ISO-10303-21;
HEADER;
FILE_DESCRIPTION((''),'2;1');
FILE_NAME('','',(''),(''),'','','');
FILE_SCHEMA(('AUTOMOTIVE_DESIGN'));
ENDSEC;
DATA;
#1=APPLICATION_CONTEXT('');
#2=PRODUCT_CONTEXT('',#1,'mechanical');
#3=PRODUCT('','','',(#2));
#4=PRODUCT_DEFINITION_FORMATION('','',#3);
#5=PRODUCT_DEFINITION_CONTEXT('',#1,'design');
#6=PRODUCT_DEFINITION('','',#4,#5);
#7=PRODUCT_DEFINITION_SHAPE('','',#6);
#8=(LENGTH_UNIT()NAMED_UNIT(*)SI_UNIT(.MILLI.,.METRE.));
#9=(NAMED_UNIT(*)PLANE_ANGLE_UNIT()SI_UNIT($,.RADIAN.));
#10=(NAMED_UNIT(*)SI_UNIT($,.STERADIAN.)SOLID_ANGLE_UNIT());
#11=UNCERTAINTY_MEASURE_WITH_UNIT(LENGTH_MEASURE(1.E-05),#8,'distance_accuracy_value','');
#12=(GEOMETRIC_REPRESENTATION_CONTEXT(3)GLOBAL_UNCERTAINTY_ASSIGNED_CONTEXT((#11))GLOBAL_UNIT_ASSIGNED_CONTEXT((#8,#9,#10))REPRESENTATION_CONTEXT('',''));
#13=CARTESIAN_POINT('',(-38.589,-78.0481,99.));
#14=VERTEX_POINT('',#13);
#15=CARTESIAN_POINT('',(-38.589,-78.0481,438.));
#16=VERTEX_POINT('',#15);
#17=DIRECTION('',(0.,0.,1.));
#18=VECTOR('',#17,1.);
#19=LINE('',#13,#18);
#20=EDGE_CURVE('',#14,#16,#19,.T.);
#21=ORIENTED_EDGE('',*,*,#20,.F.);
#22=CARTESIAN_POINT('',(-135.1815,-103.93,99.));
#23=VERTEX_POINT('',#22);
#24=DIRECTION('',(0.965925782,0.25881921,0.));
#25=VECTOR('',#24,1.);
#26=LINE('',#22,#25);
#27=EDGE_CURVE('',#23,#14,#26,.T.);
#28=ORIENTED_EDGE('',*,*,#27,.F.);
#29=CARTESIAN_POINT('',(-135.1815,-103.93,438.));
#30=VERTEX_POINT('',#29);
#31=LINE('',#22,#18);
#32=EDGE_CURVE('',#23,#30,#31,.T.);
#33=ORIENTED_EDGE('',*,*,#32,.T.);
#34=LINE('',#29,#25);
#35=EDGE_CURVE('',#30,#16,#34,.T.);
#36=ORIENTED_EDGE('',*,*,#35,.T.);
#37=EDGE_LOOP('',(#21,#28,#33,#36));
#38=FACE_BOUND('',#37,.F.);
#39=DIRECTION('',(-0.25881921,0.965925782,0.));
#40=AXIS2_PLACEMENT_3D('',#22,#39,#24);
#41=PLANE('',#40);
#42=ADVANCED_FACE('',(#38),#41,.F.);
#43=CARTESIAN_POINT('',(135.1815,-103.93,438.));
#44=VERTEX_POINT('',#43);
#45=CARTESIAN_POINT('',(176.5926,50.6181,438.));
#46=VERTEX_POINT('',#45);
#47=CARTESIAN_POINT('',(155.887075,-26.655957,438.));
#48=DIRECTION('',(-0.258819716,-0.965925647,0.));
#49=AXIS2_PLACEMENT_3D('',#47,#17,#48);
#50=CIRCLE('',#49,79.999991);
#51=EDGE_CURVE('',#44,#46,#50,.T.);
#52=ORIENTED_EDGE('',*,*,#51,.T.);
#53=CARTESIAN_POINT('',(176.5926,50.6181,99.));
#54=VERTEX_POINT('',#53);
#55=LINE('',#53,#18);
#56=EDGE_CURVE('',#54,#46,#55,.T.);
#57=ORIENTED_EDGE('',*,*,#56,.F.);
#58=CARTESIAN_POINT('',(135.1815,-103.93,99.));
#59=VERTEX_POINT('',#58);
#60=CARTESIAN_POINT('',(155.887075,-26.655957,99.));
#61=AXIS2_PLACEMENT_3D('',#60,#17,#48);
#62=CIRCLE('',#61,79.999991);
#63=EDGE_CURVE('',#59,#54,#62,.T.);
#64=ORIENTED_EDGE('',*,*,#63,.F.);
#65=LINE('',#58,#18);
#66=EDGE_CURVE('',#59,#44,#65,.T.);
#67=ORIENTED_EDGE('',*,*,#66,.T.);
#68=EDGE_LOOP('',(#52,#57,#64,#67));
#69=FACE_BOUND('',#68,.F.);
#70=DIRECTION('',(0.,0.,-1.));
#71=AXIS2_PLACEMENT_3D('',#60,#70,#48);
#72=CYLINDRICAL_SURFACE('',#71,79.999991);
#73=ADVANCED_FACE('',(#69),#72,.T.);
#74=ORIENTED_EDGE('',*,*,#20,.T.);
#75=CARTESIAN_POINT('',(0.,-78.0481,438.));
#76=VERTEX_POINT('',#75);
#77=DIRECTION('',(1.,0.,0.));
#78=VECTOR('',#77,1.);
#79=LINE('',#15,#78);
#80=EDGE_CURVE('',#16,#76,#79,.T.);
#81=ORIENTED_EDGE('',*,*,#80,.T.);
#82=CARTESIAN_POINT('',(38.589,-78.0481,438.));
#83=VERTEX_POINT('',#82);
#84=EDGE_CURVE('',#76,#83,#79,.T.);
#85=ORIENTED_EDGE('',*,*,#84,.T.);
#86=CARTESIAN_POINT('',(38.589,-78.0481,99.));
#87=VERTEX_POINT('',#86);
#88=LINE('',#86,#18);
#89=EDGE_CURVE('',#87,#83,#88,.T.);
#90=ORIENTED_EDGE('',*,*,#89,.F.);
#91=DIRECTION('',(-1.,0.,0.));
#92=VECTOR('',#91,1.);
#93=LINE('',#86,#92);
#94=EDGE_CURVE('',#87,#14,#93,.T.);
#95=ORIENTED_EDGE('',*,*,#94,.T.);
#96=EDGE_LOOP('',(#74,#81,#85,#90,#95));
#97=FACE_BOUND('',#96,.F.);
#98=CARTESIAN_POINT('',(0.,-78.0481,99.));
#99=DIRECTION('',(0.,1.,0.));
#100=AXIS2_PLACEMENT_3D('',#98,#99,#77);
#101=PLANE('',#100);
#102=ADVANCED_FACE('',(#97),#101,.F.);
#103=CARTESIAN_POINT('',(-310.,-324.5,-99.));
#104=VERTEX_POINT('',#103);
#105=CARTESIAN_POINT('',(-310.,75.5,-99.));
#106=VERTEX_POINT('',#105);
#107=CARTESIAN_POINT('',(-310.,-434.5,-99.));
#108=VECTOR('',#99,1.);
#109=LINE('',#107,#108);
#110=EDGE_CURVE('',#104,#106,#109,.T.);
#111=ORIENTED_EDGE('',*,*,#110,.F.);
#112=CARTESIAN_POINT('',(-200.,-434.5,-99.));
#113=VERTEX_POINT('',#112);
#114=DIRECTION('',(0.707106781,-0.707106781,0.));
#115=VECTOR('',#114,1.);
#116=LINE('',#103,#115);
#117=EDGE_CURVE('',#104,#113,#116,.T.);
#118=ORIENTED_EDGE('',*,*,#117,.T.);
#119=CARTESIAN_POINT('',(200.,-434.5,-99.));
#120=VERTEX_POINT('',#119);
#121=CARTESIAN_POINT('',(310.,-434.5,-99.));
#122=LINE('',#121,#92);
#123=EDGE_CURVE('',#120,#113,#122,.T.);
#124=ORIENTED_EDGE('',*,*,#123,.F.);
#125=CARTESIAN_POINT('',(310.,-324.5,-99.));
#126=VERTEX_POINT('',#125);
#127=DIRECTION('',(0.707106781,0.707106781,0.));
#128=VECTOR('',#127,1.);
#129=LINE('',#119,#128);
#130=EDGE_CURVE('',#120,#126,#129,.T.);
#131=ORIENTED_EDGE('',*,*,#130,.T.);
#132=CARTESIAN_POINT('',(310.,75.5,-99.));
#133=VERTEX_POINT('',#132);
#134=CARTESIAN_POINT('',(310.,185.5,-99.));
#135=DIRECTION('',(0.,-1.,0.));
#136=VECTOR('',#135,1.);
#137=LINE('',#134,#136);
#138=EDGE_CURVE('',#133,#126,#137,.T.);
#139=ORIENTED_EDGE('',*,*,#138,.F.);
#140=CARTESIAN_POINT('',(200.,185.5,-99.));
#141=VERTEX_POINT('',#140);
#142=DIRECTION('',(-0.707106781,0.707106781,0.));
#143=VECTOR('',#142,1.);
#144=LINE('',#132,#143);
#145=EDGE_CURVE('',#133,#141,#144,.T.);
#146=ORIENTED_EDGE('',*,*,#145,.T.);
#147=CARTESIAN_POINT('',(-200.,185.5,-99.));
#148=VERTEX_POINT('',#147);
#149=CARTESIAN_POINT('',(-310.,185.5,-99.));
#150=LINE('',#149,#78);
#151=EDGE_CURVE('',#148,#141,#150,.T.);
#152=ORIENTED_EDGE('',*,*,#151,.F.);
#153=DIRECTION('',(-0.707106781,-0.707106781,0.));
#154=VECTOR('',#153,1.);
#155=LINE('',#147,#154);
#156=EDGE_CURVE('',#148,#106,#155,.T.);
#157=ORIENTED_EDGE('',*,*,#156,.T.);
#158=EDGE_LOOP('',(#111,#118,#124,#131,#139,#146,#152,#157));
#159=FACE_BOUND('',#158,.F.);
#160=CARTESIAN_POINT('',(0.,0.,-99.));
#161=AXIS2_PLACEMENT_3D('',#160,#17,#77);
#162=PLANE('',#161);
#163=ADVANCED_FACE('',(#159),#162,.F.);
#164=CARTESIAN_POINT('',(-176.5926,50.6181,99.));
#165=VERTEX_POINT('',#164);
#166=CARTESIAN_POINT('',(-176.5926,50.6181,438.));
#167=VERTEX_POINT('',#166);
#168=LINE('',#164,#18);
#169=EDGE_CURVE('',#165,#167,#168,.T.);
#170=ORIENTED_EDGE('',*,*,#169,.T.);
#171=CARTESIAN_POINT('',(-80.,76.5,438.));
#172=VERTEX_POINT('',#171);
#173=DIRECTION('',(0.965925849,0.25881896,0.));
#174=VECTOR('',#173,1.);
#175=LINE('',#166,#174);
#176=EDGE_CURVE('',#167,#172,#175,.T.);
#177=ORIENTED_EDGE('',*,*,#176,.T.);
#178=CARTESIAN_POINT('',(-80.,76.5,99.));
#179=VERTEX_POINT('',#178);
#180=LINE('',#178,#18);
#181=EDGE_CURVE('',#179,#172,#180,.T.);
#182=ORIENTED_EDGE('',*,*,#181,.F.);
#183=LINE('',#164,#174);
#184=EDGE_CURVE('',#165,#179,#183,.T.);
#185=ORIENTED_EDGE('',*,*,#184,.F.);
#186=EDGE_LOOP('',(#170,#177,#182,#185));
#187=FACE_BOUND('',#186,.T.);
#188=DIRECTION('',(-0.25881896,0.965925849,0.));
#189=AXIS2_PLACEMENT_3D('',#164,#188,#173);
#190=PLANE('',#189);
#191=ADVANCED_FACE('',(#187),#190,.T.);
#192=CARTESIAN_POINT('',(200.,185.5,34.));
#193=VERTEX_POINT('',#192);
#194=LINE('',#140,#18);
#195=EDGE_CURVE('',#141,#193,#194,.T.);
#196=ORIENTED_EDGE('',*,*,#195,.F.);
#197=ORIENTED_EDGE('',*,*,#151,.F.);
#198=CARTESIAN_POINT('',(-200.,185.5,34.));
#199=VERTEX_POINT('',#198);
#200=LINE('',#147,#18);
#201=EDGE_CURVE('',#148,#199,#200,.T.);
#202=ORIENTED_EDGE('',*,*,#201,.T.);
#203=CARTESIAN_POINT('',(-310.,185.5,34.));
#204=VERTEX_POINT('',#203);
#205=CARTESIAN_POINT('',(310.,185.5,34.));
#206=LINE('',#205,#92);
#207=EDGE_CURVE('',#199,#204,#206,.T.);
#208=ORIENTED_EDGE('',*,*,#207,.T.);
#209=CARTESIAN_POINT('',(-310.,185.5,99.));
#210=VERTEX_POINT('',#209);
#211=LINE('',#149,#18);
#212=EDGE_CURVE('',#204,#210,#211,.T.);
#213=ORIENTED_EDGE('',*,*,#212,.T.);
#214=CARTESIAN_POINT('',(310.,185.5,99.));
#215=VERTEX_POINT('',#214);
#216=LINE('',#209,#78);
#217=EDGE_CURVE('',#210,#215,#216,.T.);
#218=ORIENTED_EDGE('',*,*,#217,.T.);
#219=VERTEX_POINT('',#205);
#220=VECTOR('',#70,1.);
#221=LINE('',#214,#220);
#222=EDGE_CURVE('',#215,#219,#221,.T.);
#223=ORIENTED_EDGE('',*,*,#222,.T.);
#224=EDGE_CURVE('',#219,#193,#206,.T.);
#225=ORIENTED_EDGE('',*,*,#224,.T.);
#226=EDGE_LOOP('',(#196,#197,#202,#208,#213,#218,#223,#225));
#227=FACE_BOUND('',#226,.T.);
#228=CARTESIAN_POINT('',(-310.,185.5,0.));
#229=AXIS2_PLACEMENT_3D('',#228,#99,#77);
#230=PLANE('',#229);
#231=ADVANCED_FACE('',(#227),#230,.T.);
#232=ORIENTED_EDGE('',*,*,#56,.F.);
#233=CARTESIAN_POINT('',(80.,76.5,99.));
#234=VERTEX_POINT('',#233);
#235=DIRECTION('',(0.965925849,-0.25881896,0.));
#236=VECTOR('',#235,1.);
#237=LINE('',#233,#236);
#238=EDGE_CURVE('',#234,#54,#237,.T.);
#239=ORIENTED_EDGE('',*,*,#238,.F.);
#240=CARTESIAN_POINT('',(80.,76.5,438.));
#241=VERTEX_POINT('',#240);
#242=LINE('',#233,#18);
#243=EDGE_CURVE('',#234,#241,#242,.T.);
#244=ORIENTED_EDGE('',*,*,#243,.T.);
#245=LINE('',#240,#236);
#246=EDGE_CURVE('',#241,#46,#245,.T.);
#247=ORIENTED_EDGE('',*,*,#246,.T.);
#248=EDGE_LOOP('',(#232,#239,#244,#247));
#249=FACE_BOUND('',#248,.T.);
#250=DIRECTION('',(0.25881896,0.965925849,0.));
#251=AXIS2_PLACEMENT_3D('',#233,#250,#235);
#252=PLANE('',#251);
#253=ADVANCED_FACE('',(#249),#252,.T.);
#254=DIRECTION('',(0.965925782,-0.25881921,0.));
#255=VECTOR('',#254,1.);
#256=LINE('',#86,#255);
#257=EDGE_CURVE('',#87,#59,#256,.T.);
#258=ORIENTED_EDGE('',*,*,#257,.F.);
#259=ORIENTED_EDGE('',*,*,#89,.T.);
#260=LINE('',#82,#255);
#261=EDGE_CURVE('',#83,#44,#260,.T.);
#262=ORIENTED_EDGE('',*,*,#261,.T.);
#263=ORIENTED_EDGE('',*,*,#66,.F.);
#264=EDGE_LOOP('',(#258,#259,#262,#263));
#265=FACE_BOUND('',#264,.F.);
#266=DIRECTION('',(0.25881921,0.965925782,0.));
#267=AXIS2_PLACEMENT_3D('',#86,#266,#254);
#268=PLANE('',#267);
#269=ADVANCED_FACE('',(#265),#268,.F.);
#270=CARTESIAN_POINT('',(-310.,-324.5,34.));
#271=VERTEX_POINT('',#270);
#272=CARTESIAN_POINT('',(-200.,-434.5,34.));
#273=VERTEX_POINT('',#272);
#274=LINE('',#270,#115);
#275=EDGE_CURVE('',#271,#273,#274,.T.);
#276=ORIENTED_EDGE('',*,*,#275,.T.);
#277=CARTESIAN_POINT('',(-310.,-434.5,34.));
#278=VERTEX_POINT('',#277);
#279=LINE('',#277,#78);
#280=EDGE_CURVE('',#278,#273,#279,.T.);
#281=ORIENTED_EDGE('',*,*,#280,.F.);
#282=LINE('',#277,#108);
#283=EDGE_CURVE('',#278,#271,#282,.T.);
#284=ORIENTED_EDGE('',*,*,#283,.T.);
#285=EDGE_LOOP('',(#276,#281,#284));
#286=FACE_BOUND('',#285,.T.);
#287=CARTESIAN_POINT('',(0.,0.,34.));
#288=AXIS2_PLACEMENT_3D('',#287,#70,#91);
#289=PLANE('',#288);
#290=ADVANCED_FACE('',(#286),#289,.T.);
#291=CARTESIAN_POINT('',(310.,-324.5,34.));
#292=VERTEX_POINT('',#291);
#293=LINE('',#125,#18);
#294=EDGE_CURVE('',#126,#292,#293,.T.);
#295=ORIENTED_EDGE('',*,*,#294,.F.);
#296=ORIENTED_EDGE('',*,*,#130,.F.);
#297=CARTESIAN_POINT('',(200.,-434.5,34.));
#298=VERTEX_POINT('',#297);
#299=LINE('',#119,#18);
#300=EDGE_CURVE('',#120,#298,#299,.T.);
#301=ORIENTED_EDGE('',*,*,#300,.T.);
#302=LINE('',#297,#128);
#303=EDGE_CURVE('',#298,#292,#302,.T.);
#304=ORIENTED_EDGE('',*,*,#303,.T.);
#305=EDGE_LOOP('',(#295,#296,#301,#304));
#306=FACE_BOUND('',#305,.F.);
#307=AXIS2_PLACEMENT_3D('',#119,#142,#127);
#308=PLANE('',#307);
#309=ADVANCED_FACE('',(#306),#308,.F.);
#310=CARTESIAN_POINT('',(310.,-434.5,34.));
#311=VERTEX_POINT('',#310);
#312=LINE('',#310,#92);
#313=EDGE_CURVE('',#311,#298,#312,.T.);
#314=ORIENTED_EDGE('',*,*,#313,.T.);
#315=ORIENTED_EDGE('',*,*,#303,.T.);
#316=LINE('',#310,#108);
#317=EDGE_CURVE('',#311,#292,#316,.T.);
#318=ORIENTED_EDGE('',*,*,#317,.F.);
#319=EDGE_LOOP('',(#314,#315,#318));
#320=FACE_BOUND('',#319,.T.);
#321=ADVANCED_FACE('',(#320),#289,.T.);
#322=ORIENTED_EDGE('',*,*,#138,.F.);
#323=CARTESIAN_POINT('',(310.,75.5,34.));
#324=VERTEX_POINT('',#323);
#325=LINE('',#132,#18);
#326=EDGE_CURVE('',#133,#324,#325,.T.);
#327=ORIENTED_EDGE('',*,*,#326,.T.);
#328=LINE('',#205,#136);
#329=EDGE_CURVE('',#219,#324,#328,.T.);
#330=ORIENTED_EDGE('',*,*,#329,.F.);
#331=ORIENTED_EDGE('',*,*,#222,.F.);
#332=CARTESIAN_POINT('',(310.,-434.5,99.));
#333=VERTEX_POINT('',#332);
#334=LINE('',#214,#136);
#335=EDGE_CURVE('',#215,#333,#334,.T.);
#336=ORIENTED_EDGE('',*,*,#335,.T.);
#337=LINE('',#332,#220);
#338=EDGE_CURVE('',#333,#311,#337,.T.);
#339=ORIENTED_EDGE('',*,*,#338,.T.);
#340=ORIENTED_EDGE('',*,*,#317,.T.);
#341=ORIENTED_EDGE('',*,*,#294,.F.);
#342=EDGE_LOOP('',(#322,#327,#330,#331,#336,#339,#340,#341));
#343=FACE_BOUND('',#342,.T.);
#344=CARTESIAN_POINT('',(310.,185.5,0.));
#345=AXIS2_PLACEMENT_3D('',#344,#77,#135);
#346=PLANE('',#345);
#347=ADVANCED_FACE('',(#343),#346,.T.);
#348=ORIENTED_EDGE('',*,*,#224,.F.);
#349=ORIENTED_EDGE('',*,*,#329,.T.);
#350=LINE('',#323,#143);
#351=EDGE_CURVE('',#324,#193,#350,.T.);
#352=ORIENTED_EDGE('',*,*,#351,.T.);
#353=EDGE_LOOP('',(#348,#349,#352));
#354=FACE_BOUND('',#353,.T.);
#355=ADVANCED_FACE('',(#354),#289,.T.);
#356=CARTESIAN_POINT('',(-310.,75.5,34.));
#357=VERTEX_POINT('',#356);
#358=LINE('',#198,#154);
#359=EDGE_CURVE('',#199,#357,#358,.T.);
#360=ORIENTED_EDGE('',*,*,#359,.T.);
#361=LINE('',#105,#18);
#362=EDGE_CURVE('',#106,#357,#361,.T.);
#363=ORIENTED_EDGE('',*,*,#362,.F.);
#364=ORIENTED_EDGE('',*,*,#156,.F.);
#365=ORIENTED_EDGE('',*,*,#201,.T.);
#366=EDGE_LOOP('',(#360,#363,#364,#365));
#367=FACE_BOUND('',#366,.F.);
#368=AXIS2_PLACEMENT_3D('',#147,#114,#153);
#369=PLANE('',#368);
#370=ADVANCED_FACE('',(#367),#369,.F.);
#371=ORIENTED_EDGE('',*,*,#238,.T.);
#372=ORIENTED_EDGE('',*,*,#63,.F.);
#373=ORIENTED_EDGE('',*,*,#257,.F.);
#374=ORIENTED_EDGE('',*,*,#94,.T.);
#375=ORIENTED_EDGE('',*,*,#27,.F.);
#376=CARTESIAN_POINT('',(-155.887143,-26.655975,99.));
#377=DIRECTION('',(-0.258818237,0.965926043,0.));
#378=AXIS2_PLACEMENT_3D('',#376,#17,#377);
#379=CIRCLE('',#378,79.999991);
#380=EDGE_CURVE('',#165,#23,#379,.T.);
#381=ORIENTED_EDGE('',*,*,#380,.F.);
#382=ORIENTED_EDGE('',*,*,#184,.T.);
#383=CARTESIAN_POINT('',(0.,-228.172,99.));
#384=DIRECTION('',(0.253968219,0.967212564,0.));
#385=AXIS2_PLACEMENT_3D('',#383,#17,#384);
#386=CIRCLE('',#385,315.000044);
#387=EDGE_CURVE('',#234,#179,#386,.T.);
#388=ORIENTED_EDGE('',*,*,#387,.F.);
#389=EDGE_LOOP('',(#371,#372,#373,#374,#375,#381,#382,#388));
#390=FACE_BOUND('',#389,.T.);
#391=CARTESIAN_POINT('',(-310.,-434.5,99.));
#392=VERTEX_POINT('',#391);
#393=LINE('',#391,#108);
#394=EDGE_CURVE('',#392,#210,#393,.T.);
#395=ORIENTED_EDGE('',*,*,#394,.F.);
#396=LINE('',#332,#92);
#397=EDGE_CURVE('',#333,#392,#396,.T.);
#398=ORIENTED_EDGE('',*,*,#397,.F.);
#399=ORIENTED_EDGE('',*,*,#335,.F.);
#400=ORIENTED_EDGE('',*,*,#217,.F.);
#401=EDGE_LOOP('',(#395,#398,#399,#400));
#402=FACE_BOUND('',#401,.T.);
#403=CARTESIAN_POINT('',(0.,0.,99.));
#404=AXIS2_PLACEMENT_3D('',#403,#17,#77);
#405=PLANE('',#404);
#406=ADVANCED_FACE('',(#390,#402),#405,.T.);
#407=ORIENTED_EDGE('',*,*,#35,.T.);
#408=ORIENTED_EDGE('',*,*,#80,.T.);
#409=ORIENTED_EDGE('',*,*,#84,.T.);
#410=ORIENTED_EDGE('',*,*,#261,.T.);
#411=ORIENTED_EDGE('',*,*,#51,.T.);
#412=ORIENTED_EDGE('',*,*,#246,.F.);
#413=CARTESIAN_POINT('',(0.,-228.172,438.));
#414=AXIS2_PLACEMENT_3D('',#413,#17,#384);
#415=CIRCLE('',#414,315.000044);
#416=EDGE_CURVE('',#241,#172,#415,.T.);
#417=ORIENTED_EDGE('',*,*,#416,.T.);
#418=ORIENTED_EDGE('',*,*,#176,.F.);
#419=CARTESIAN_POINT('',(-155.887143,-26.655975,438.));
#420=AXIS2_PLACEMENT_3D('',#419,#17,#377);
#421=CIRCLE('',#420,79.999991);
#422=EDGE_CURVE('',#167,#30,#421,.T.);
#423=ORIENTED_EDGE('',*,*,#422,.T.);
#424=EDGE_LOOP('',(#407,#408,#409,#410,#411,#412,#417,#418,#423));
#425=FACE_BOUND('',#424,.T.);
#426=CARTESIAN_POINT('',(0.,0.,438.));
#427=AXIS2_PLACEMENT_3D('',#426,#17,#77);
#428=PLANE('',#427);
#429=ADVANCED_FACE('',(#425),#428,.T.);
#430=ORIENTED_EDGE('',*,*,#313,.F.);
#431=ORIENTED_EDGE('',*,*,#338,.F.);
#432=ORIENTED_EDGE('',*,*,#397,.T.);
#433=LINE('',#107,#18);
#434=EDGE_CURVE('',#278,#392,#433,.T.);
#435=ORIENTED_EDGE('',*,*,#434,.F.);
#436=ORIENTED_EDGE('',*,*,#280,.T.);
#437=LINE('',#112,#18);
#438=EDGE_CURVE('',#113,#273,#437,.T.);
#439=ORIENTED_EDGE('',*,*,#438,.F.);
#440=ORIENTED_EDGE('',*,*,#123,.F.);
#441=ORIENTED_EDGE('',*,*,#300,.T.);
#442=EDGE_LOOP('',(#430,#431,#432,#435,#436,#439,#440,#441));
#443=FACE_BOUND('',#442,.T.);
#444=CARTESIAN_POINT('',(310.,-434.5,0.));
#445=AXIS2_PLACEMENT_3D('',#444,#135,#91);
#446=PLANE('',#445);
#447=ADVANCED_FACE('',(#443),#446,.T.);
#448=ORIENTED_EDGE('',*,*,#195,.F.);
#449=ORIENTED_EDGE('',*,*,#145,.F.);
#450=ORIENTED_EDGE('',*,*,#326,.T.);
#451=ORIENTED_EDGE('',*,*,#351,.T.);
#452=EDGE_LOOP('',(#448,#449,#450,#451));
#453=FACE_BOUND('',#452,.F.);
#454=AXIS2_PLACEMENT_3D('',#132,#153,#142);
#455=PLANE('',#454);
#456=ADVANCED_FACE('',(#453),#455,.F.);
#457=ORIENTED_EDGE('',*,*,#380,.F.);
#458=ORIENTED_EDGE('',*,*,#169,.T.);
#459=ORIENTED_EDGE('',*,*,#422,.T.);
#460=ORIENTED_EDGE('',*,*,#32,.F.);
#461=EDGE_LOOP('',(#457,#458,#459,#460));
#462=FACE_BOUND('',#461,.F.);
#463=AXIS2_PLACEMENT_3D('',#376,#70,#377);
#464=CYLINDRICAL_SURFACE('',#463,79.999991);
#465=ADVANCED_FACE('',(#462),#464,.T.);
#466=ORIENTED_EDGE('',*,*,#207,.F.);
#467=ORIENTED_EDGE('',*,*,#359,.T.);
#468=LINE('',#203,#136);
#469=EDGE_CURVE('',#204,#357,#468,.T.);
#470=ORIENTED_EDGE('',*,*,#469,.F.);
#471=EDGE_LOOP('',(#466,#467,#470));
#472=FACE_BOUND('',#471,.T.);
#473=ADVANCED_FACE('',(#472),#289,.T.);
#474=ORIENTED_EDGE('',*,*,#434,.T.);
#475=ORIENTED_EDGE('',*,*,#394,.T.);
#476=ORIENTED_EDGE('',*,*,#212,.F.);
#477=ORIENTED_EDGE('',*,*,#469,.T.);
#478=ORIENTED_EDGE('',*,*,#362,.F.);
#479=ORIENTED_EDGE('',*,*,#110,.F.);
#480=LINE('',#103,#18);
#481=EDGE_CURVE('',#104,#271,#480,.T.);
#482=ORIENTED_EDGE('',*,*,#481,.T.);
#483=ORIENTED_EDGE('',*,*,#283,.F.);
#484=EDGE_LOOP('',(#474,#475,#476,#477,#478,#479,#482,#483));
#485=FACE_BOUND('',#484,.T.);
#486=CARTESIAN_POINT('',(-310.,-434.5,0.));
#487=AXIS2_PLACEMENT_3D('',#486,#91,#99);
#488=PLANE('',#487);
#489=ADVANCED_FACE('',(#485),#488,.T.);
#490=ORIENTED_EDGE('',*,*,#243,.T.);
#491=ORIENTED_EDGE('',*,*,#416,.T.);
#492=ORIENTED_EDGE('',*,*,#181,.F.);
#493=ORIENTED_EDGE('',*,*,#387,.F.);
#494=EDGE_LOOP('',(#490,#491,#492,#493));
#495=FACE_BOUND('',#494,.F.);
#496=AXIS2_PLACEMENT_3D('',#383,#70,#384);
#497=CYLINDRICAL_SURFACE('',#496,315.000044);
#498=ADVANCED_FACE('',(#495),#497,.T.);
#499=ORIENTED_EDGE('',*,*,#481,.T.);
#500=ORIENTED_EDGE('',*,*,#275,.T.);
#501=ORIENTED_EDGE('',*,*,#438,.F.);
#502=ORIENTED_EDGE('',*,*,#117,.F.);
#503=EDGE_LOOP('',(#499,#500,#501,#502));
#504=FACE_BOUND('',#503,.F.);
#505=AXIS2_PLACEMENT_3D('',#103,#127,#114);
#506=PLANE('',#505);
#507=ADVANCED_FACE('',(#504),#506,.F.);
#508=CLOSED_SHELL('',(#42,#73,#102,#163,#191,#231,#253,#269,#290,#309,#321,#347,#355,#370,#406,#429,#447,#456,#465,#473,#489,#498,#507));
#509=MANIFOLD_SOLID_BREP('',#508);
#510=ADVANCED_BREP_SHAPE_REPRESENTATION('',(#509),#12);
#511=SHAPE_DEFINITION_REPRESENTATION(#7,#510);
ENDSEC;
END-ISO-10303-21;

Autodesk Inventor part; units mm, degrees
ref_plane "YZ Plane" through (0, 0, 0) normal (1, 0, 0) x (0, 1, 0)
ref_plane "XZ Plane" through (0, 0, 0) normal (0, 1, 0) x (-1, 0, 0)
ref_plane "XY Plane" through (0, 0, 0) normal (0, 0, 1) x (1, 0, 0)
sketch "Sketch1" plane through (0, 0, 0) normal (0, 0, 1) x (1, 0, 0)
  line L0 (-310, 185.5) -> (310, 185.5)
  line L1 (310, 185.5) -> (310, -434.5)
  line L2 (310, -434.5) -> (-310, -434.5)
  line L3 (-310, -434.5) -> (-310, 185.5)
  point P0 (0, 0)
  point P1 (0, 185.5)
  dimension "d0" = 620
  dimension "d1" = 620
  dimension "d2" = 185.5
extrude "Extrusion1" add sketch "Sketch1" along normal mid plane 198
sketch "Sketch2" plane through (0, 0, -99) normal (0, 0, -1) x (-1, 0, 0)
  line L0 (-310, 185.5) -> (310, 185.5) projected
  line L1 (-310, 185.5) -> (-310, 75.5)
  line L2 (-310, -434.5) -> (-310, 185.5) projected
  line L3 (-310, 75.5) -> (-200, 185.5)
  line L4 (-310, 185.5) -> (-200, 185.5)
  line L5 (-310, -124.5) -> (0, -124.5)
  line L6 (0, -124.5) -> (0, 185.5)
  line L7 (-310, -434.5) -> (-310, -324.5)
  line L8 (-310, -434.5) -> (-200, -434.5)
  line L9 (-200, -434.5) -> (-310, -324.5)
  line L10 (310, -434.5) -> (200, -434.5)
  line L11 (310, -434.5) -> (310, -324.5)
  line L12 (310, -324.5) -> (200, -434.5)
  line L13 (310, 185.5) -> (310, 75.5)
  line L14 (310, 185.5) -> (200, 185.5)
  line L15 (200, 185.5) -> (310, 75.5)
  point P0 (0, 0)
  dimension "d5" = 110
  dimension "d6" = 110
  dimension "d9" = 360
extrude "Extrusion2" cut sketch "Sketch2" against normal blind 133 contours L0 L13 L15 | L9 L8 L2 | L0 L3 L1 | L10 L12 L11
sketch "Sketch3" plane through (0, 0, 99) normal (0, 0, 1) x (1, 0, 0)
  circle A0 centre (-155.8871, -26.656) radius 80 construction
  line L0 (-176.5926, 50.6181) -> (-80, 76.5)
  line L1 (-135.1815, -103.93) -> (-38.589, -78.0481)
  line L2 (-80, 76.5) -> (-38.589, -78.0481) construction
  line L3 (-80, 76.5) -> (80, 76.5) construction
  line L4 (80, 76.5) -> (38.589, -78.0481) construction
  line L5 (-38.589, -78.0481) -> (38.589, -78.0481)
  circle A1 centre (155.8871, -26.656) radius 80 construction
  line L6 (38.589, -78.0481) -> (135.1815, -103.93)
  line L7 (80, 76.5) -> (176.5926, 50.6181)
  arc A2 (-176.5926, 50.6181) -> (-135.1815, -103.93) centre (-155.8871, -26.656) ccw
  arc A3 (135.1815, -103.93) -> (176.5926, 50.6181) centre (155.8871, -26.656) ccw
  circle A4 centre (-155.8871, -26.656) radius 5.25
  circle A5 centre (155.8871, -26.656) radius 5.25
  line L8 (-106.5, 56.5) -> (-106.5, -56.5)
  line L9 (-106.5, -56.5) -> (106.5, -56.5)
  line L10 (106.5, -56.5) -> (106.5, 56.5)
  line L11 (106.5, 56.5) -> (-106.5, 56.5)
  arc A6 (80, 76.5) -> (-80, 76.5) centre (0, -228.172) ccw
  circle A7 centre (0, 71.664) radius 5.25
  line L12 (310, -434.5) -> (310, 185.5) construction
  line L13 (310, 185.5) -> (-310, 185.5) construction
  line L14 (0, 185.5) -> (0, 0) construction
  line L15 (0, 0) -> (310, 0) construction
  line L16 (310, 75.5) -> (310, -324.5) construction
  line L17 (0, -78.0481) -> (0, -56.5)
  point P0 (0, 76.5)
  point P1 (-106.5, 0)
  dimension "d32" = 160
  dimension "d33" = 100
  dimension "d34" = 100
  dimension "d35" = 160
  dimension "d36" = 160
  dimension "d37" = 160
  dimension "d38" = 75
  dimension "d39" = 75
  dimension "d40" = 160
  dimension "d41" = 100
  dimension "d42" = 100
  dimension "d43" = 10.5
  dimension "d44" = 10.5
  dimension "d45" = 113
  dimension "d46" = 213
  dimension "d47" = 20
  dimension "d48" = 315
  dimension "d49" = 10.5
  dimension "d50" = 15.164
  dimension "d51" = 185.5
extrude "Extrusion3" add sketch "Sketch3" along normal blind 339 contours L9 L8 L11 L10 | L0 A6 L7 A3 L6 L5 L1 A2 | A4 | A5 | A7
properties part number "Base" material "ABS Plastic"
